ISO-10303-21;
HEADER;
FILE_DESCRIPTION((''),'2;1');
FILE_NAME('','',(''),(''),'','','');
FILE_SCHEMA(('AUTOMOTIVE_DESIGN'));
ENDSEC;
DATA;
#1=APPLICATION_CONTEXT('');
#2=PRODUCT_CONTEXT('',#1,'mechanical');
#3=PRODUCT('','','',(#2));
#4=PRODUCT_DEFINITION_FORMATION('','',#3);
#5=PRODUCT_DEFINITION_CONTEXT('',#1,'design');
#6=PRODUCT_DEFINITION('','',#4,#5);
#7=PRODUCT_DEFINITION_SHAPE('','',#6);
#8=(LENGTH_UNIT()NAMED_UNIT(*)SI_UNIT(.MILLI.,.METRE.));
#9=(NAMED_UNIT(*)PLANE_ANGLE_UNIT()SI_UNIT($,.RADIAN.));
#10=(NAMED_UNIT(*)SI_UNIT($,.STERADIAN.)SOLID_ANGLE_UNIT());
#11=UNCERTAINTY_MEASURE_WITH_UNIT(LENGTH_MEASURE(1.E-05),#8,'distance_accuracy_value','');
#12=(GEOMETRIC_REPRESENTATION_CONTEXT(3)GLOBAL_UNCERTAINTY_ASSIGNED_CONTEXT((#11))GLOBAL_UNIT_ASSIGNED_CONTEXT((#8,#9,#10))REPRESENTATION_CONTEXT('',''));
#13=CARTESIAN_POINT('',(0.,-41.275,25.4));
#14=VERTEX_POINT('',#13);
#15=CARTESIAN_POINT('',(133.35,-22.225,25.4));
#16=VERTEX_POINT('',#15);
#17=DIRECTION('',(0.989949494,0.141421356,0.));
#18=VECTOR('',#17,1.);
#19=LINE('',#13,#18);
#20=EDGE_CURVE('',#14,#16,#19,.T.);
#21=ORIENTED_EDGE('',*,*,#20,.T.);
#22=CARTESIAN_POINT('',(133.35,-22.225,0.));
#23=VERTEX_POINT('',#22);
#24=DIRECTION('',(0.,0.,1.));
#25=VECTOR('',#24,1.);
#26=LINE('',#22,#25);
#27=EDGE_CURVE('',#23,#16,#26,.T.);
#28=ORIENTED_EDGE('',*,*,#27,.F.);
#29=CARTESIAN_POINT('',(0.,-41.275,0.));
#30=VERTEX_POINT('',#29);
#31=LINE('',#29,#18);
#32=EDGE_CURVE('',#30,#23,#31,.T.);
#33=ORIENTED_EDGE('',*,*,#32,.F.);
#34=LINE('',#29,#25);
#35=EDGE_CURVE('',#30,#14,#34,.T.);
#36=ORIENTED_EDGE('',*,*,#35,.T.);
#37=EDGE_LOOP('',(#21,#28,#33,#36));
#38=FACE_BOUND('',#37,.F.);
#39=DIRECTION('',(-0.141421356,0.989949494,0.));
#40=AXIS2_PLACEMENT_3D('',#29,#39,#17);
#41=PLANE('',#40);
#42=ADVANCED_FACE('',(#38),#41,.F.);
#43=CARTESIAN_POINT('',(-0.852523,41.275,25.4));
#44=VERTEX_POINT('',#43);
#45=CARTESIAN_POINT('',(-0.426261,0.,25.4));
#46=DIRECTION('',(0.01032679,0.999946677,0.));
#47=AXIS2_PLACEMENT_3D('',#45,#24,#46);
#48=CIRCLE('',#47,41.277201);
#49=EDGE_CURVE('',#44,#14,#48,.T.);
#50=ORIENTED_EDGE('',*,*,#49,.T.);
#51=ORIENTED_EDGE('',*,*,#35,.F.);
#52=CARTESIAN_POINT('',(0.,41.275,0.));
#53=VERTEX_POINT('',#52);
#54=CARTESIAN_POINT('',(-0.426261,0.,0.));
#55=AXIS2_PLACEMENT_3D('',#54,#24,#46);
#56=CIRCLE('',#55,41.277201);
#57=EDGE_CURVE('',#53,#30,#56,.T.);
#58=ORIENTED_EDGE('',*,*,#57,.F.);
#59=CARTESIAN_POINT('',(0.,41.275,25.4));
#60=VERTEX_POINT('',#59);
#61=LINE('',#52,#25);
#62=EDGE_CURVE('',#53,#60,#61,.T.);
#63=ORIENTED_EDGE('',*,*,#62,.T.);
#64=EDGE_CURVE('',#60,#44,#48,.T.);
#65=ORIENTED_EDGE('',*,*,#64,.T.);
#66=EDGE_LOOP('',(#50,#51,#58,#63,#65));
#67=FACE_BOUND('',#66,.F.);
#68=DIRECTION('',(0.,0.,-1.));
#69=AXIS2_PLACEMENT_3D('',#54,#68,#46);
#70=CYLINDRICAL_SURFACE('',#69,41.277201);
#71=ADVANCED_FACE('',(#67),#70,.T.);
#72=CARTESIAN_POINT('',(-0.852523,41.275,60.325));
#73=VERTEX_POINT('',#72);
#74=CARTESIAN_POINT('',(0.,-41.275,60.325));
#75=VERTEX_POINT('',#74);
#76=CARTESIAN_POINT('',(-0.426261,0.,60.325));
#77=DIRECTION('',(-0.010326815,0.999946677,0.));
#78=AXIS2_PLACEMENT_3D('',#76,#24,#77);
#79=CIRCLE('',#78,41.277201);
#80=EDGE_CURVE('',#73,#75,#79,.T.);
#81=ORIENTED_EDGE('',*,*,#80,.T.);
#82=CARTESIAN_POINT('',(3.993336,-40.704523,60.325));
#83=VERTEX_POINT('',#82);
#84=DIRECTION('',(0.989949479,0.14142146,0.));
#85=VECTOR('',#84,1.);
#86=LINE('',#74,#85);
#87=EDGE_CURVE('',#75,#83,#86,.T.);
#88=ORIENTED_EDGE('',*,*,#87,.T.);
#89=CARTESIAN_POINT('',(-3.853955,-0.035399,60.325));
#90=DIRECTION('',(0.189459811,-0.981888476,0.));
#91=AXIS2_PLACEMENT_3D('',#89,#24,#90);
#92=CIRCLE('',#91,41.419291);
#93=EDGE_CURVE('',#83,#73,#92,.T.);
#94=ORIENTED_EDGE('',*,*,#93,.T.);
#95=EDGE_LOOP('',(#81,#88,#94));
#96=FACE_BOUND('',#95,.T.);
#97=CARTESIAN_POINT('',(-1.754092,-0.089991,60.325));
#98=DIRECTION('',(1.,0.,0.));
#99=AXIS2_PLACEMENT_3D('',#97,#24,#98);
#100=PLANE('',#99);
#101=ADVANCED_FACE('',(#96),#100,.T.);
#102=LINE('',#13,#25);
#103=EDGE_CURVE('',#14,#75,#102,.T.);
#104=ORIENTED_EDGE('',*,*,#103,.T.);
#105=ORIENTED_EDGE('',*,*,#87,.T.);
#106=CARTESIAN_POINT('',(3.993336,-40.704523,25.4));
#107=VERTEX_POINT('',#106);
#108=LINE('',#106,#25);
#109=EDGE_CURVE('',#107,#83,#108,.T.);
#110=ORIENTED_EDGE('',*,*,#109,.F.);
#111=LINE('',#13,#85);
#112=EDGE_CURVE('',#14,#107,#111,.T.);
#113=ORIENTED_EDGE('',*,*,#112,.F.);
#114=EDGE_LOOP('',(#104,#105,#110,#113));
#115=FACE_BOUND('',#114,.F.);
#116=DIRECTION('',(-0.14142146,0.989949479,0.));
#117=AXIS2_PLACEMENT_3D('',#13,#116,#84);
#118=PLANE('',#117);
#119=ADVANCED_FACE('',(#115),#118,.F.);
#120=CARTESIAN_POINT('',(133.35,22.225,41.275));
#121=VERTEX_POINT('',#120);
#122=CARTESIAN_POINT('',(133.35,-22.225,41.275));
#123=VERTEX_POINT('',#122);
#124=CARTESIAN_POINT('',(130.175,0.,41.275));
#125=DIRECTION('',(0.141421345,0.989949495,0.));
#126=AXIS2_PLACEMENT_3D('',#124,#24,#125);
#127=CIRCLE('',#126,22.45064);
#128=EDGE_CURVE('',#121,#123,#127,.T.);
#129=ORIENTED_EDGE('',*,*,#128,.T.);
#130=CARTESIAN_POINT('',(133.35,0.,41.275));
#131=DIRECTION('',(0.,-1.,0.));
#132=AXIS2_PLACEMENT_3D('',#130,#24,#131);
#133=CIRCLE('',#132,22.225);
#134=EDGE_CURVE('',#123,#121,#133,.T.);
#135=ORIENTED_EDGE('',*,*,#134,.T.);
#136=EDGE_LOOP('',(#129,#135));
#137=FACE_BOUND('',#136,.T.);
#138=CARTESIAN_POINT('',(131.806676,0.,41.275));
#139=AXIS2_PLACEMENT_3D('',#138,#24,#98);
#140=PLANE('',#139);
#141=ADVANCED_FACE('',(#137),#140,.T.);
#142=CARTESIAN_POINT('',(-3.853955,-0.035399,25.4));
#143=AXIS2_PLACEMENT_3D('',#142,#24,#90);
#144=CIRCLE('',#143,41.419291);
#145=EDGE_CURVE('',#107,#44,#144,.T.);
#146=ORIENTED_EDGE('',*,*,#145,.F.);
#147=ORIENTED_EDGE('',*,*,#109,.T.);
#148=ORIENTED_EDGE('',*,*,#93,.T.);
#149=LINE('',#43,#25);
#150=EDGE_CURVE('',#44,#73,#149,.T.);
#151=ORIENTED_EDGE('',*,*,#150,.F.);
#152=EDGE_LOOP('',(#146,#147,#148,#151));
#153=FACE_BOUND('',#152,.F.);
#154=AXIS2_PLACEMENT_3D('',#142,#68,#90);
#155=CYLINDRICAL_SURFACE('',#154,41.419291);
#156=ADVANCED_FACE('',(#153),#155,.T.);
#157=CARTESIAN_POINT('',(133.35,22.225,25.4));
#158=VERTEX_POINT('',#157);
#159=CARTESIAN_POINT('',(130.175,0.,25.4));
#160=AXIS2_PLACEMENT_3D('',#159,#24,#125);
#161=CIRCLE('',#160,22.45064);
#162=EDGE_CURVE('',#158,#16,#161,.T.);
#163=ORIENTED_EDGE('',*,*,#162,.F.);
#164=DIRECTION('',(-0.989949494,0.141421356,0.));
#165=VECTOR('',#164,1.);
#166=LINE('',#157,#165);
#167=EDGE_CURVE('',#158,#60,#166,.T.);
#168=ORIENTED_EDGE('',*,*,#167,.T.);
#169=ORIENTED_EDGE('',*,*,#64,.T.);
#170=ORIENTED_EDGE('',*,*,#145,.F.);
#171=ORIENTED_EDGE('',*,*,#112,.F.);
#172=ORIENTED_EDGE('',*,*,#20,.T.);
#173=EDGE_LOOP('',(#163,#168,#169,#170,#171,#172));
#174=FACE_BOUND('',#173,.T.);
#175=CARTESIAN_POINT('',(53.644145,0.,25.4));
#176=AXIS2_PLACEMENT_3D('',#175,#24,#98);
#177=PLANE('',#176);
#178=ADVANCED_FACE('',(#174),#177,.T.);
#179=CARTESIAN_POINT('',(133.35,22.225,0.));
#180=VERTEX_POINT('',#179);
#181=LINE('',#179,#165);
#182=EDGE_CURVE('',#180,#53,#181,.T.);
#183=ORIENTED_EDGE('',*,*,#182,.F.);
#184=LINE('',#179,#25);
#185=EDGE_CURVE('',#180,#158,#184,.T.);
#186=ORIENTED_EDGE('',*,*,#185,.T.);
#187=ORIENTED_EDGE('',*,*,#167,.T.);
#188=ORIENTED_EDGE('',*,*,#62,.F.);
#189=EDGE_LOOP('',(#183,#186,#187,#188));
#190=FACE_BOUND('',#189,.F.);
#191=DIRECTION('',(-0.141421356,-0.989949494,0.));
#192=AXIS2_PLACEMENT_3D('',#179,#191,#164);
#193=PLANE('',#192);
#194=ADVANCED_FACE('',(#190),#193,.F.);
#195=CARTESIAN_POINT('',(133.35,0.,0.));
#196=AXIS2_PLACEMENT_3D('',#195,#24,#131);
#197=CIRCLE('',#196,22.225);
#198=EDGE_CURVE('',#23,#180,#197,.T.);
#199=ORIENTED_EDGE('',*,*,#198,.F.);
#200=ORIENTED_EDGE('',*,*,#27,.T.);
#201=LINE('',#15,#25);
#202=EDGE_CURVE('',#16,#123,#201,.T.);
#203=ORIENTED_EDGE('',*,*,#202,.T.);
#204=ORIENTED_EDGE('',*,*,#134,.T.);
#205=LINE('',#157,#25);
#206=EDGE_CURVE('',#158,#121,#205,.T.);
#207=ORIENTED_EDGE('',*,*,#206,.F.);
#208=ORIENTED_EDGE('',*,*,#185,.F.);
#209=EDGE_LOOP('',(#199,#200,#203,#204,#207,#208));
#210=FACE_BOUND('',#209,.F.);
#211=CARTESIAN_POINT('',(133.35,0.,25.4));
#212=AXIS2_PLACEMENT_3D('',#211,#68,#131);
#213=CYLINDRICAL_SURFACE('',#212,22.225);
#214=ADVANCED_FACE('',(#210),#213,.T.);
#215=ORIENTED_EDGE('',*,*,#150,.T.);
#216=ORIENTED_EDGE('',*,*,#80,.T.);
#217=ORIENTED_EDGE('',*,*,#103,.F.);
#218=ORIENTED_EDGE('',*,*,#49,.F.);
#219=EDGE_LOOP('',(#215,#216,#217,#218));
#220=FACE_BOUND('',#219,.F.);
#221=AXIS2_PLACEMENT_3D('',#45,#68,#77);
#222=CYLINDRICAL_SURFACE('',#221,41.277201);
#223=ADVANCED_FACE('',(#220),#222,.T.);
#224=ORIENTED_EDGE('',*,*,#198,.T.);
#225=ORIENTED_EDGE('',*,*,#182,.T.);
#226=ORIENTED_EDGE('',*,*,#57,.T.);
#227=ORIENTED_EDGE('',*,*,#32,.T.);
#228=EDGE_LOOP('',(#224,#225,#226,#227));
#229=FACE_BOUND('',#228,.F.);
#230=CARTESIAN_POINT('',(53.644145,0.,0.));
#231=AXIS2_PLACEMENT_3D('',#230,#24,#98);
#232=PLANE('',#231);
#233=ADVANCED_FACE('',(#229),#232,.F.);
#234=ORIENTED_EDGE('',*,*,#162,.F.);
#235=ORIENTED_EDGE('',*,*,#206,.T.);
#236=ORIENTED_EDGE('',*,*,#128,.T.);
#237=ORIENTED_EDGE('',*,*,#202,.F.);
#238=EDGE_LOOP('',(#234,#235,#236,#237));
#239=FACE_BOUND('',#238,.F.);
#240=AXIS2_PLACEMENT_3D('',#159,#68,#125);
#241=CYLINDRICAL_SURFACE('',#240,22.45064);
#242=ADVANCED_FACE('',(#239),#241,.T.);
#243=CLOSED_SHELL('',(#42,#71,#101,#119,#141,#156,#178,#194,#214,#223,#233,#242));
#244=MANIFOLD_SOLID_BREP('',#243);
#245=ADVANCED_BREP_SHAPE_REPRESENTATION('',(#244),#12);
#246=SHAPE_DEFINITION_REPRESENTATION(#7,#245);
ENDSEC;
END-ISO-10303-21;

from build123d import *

# Parameters (mm, degrees)
F2_DEPTH = 25.4
F4_DEPTH = 34.925
F6_DEPTH = 15.875


with BuildPart() as f2:
    # F0 (on Top) → F2 (new body)
    with BuildSketch(Plane.XY):
        with BuildLine():
            Line((133.35, 22.225), (0, 41.275))
            ThreePointArc((0, 41.275), (-41.703462, 0), (0, -41.275))
            Line((0, -41.275), (133.35, -22.225))
            ThreePointArc((133.35, -22.225), (155.575, 0), (133.35, 22.225))
        make_face()
    extrude(amount=F2_DEPTH)

    # F3 (on face) → F4 (join)
    with BuildSketch(Plane.XY.offset(25.4)):
        with BuildLine():
            ThreePointArc((-0.852523, 41.275), (-41.701261, -0.426261), (0, -41.275))
            Line((0, -41.275), (3.993336, -40.704523))
            ThreePointArc((3.993336, -40.704523), (37.493164, 2.408654), (-0.852523, 41.275))
        make_face()
    extrude(amount=F4_DEPTH)

    # F5 (on face) → F6 (join)
    with BuildSketch(Plane.XY.offset(25.4)):
        with BuildLine():
            ThreePointArc((133.35, -22.225), (155.575, 0), (133.35, 22.225))
            ThreePointArc((133.35, 22.225), (107.72436, 0), (133.35, -22.225))
        make_face()
    extrude(amount=F6_DEPTH)


solid = f2.part
